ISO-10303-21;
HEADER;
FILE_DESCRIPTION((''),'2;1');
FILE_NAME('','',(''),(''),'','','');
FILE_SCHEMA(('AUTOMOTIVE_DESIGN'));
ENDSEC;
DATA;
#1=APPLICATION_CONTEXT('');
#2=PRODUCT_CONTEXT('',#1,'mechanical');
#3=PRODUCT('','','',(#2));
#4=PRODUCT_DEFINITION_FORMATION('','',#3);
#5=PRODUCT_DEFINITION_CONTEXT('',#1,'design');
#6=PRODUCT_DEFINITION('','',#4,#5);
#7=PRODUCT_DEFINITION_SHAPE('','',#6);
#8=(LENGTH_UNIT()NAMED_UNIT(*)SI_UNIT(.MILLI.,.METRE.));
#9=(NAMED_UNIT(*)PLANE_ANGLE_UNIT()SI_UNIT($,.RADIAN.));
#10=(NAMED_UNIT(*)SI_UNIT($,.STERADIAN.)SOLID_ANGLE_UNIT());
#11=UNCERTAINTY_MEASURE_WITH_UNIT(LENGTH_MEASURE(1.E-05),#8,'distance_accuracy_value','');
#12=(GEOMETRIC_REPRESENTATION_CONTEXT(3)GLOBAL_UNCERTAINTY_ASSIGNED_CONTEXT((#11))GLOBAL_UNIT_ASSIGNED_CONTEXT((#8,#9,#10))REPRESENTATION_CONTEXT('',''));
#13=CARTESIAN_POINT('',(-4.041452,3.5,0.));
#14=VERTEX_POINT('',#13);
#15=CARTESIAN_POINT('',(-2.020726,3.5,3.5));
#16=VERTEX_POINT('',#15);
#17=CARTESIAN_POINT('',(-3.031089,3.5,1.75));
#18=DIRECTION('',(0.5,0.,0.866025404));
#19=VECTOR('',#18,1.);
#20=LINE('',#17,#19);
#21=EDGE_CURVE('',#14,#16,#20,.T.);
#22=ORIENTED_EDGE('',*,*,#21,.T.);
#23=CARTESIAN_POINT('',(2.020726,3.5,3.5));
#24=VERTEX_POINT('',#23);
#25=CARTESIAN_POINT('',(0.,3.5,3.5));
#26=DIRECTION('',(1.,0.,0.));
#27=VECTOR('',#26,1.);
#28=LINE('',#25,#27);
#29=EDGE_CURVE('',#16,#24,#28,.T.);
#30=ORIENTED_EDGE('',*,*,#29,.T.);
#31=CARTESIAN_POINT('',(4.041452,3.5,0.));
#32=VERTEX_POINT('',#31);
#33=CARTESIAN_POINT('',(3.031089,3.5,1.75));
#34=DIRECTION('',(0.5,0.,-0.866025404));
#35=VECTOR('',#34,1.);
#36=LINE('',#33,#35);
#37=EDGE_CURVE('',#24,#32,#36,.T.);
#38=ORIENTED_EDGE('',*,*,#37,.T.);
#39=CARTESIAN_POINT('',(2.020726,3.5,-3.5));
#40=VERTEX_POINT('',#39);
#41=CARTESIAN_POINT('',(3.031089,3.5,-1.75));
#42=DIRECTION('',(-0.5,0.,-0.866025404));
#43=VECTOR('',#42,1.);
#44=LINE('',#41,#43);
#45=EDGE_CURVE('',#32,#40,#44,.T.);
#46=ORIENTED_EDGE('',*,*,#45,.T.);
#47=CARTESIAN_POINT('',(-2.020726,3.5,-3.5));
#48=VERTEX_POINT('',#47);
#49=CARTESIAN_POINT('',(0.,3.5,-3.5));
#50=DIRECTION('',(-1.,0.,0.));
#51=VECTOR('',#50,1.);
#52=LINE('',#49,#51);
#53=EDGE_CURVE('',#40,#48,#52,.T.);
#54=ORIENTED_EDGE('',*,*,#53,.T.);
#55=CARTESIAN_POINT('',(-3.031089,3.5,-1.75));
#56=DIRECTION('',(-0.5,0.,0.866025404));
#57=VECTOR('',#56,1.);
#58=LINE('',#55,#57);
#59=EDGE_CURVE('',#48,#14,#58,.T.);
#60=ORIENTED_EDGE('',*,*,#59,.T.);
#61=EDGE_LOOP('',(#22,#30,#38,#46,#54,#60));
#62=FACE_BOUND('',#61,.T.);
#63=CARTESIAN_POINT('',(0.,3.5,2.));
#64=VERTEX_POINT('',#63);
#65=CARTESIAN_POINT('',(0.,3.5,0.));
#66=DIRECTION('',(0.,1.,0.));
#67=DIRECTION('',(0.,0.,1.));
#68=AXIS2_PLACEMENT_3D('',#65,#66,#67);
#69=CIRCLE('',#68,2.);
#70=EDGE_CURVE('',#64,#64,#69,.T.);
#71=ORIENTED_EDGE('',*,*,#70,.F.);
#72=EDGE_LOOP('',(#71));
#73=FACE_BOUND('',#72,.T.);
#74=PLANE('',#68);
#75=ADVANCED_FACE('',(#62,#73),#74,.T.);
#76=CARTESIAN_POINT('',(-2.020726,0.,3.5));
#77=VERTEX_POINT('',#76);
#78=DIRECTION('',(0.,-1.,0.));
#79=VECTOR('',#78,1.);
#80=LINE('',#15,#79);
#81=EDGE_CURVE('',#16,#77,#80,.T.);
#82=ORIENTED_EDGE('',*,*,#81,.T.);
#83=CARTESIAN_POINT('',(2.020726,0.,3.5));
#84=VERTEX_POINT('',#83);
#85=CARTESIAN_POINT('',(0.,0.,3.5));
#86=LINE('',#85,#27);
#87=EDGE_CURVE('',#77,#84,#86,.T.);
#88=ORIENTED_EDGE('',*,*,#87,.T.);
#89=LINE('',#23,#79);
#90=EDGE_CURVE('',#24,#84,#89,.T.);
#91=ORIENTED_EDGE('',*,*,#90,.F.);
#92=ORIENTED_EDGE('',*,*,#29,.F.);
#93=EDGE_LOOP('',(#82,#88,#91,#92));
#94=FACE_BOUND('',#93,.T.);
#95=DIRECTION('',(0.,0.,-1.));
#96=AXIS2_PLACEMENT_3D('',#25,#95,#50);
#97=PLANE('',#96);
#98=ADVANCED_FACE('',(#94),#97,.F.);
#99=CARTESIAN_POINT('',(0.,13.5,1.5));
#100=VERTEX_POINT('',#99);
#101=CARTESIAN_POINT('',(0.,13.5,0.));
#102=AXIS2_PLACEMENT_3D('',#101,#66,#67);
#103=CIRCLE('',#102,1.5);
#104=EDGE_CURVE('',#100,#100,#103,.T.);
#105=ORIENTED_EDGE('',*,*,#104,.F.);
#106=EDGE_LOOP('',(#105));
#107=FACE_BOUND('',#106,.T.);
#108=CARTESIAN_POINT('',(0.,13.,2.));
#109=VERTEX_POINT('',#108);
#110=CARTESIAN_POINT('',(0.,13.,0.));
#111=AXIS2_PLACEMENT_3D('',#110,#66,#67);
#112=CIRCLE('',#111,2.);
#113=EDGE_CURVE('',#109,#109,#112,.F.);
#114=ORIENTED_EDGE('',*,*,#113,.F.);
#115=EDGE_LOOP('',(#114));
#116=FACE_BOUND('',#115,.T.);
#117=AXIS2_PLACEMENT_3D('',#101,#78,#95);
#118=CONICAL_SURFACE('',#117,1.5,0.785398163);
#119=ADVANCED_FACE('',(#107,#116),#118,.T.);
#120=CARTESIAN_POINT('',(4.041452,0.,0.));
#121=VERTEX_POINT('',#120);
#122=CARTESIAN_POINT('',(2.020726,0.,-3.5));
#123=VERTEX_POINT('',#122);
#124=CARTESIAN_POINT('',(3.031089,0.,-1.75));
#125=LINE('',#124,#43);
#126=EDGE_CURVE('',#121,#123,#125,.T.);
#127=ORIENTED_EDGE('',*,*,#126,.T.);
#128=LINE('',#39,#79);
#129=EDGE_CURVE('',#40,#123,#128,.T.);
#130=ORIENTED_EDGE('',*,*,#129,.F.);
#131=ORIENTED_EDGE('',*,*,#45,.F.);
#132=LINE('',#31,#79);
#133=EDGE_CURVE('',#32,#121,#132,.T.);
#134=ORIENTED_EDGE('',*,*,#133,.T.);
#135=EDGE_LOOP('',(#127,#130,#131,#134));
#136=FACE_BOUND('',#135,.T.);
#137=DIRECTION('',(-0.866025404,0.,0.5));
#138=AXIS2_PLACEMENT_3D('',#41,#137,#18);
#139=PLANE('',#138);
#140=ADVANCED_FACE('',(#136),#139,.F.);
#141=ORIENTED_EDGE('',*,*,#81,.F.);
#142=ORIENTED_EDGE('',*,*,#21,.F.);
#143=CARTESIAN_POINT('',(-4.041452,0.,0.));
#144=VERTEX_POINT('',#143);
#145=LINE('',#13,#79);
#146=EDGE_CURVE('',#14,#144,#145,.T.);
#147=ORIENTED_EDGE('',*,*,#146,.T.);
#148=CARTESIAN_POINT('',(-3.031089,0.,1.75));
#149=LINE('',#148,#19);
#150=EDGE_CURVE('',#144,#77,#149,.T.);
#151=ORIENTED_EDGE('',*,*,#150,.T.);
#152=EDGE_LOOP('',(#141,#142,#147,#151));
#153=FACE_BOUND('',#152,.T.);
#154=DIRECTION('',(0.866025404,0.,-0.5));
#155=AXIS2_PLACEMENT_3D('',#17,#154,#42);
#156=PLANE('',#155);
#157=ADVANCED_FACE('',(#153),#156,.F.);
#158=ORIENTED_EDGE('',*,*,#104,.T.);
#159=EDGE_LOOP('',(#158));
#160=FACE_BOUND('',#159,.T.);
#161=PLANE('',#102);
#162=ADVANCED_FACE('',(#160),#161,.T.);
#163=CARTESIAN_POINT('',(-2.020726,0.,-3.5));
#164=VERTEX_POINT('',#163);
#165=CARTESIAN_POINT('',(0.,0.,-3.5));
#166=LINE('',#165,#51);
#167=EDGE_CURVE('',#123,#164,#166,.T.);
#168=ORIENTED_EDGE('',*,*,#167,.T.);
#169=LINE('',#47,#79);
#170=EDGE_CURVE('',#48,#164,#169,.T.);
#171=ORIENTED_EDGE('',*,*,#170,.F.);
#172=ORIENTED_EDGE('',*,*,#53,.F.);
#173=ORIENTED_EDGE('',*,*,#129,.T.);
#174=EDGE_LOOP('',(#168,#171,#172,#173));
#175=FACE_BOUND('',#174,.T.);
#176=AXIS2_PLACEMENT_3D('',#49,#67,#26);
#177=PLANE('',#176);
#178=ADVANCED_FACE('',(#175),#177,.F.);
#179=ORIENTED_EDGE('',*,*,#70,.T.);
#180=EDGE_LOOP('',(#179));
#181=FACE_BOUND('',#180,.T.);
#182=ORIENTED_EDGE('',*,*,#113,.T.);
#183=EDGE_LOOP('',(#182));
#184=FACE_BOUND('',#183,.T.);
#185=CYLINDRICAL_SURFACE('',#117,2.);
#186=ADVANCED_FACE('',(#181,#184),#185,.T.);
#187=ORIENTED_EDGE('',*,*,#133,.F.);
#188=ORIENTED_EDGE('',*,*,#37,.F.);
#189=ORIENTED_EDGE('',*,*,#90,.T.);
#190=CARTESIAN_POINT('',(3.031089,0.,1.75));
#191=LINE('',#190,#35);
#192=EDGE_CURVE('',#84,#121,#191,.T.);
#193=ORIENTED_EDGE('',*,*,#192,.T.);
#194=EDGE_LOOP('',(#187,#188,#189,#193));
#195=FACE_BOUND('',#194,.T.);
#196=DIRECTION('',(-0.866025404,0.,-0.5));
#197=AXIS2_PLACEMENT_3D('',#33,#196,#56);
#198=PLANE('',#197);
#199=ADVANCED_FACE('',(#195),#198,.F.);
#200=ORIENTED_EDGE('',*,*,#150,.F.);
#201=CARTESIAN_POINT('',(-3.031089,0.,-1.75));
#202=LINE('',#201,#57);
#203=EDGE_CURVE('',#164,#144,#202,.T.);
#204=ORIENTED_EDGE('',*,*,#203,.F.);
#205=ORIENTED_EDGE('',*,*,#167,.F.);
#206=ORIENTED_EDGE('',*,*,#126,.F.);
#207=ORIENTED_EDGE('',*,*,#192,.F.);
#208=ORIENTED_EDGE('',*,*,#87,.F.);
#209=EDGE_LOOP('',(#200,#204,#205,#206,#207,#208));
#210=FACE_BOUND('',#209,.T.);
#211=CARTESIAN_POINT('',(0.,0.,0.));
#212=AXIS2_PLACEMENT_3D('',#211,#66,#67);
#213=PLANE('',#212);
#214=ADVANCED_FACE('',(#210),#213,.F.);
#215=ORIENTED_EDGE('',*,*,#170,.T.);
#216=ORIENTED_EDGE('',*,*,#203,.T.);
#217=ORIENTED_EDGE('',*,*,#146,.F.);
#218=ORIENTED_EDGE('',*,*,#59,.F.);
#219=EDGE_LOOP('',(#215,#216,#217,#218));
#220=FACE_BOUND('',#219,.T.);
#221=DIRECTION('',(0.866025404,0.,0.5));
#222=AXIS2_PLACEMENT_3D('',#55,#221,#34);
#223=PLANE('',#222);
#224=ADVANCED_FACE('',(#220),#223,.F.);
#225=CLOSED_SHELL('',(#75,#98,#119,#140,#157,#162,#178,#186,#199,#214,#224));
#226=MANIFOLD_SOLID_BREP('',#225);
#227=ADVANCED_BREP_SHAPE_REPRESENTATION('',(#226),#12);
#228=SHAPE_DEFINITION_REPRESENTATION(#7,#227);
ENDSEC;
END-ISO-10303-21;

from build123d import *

# Parameters (mm, degrees)
SKETCH1_R           = 2
BOSS_EXTRUDE1_DEPTH = 3.5
BOSS_EXTRUDE2_START = 3.5
SKETCH1_3_R         = 2
BOSS_EXTRUDE2_DEPTH = 10
CHAMFER1_SIZE       = 0.5


with BuildPart() as part:
    # Sketch1 → Boss-Extrude1 (new body)
    with BuildSketch(Plane(origin=(0, 0, 0), x_dir=(1, 0, 0), z_dir=(0, 1, 0))):
        Polygon((-4.041451884, 0), (-2.020725942, -3.5), (2.020725942, -3.5), (4.041451884, 0), (2.020725942, 3.5), (-2.020725942, 3.5), align=None)
        Circle(SKETCH1_R, mode=Mode.SUBTRACT)
        Circle(SKETCH1_R)
    extrude(amount=BOSS_EXTRUDE1_DEPTH)

    # Sketch1<3> → Boss-Extrude2 (add)
    with BuildSketch(Plane(origin=(0, 0, 0), x_dir=(1, 0, 0), z_dir=(0, 1, 0)).offset(BOSS_EXTRUDE2_START)):
        with Locations(Location((0, 0, 0), (0, 0, 270))):
            Circle(SKETCH1_3_R)
    extrude(amount=BOSS_EXTRUDE2_DEPTH)

    # Chamfer1
    chamfer1_edges = [part.edges().sort_by_distance(p)[0] for p in [
        (0, 13.5, -2),
    ]]
    chamfer(chamfer1_edges, length=CHAMFER1_SIZE)


solid = part.part
